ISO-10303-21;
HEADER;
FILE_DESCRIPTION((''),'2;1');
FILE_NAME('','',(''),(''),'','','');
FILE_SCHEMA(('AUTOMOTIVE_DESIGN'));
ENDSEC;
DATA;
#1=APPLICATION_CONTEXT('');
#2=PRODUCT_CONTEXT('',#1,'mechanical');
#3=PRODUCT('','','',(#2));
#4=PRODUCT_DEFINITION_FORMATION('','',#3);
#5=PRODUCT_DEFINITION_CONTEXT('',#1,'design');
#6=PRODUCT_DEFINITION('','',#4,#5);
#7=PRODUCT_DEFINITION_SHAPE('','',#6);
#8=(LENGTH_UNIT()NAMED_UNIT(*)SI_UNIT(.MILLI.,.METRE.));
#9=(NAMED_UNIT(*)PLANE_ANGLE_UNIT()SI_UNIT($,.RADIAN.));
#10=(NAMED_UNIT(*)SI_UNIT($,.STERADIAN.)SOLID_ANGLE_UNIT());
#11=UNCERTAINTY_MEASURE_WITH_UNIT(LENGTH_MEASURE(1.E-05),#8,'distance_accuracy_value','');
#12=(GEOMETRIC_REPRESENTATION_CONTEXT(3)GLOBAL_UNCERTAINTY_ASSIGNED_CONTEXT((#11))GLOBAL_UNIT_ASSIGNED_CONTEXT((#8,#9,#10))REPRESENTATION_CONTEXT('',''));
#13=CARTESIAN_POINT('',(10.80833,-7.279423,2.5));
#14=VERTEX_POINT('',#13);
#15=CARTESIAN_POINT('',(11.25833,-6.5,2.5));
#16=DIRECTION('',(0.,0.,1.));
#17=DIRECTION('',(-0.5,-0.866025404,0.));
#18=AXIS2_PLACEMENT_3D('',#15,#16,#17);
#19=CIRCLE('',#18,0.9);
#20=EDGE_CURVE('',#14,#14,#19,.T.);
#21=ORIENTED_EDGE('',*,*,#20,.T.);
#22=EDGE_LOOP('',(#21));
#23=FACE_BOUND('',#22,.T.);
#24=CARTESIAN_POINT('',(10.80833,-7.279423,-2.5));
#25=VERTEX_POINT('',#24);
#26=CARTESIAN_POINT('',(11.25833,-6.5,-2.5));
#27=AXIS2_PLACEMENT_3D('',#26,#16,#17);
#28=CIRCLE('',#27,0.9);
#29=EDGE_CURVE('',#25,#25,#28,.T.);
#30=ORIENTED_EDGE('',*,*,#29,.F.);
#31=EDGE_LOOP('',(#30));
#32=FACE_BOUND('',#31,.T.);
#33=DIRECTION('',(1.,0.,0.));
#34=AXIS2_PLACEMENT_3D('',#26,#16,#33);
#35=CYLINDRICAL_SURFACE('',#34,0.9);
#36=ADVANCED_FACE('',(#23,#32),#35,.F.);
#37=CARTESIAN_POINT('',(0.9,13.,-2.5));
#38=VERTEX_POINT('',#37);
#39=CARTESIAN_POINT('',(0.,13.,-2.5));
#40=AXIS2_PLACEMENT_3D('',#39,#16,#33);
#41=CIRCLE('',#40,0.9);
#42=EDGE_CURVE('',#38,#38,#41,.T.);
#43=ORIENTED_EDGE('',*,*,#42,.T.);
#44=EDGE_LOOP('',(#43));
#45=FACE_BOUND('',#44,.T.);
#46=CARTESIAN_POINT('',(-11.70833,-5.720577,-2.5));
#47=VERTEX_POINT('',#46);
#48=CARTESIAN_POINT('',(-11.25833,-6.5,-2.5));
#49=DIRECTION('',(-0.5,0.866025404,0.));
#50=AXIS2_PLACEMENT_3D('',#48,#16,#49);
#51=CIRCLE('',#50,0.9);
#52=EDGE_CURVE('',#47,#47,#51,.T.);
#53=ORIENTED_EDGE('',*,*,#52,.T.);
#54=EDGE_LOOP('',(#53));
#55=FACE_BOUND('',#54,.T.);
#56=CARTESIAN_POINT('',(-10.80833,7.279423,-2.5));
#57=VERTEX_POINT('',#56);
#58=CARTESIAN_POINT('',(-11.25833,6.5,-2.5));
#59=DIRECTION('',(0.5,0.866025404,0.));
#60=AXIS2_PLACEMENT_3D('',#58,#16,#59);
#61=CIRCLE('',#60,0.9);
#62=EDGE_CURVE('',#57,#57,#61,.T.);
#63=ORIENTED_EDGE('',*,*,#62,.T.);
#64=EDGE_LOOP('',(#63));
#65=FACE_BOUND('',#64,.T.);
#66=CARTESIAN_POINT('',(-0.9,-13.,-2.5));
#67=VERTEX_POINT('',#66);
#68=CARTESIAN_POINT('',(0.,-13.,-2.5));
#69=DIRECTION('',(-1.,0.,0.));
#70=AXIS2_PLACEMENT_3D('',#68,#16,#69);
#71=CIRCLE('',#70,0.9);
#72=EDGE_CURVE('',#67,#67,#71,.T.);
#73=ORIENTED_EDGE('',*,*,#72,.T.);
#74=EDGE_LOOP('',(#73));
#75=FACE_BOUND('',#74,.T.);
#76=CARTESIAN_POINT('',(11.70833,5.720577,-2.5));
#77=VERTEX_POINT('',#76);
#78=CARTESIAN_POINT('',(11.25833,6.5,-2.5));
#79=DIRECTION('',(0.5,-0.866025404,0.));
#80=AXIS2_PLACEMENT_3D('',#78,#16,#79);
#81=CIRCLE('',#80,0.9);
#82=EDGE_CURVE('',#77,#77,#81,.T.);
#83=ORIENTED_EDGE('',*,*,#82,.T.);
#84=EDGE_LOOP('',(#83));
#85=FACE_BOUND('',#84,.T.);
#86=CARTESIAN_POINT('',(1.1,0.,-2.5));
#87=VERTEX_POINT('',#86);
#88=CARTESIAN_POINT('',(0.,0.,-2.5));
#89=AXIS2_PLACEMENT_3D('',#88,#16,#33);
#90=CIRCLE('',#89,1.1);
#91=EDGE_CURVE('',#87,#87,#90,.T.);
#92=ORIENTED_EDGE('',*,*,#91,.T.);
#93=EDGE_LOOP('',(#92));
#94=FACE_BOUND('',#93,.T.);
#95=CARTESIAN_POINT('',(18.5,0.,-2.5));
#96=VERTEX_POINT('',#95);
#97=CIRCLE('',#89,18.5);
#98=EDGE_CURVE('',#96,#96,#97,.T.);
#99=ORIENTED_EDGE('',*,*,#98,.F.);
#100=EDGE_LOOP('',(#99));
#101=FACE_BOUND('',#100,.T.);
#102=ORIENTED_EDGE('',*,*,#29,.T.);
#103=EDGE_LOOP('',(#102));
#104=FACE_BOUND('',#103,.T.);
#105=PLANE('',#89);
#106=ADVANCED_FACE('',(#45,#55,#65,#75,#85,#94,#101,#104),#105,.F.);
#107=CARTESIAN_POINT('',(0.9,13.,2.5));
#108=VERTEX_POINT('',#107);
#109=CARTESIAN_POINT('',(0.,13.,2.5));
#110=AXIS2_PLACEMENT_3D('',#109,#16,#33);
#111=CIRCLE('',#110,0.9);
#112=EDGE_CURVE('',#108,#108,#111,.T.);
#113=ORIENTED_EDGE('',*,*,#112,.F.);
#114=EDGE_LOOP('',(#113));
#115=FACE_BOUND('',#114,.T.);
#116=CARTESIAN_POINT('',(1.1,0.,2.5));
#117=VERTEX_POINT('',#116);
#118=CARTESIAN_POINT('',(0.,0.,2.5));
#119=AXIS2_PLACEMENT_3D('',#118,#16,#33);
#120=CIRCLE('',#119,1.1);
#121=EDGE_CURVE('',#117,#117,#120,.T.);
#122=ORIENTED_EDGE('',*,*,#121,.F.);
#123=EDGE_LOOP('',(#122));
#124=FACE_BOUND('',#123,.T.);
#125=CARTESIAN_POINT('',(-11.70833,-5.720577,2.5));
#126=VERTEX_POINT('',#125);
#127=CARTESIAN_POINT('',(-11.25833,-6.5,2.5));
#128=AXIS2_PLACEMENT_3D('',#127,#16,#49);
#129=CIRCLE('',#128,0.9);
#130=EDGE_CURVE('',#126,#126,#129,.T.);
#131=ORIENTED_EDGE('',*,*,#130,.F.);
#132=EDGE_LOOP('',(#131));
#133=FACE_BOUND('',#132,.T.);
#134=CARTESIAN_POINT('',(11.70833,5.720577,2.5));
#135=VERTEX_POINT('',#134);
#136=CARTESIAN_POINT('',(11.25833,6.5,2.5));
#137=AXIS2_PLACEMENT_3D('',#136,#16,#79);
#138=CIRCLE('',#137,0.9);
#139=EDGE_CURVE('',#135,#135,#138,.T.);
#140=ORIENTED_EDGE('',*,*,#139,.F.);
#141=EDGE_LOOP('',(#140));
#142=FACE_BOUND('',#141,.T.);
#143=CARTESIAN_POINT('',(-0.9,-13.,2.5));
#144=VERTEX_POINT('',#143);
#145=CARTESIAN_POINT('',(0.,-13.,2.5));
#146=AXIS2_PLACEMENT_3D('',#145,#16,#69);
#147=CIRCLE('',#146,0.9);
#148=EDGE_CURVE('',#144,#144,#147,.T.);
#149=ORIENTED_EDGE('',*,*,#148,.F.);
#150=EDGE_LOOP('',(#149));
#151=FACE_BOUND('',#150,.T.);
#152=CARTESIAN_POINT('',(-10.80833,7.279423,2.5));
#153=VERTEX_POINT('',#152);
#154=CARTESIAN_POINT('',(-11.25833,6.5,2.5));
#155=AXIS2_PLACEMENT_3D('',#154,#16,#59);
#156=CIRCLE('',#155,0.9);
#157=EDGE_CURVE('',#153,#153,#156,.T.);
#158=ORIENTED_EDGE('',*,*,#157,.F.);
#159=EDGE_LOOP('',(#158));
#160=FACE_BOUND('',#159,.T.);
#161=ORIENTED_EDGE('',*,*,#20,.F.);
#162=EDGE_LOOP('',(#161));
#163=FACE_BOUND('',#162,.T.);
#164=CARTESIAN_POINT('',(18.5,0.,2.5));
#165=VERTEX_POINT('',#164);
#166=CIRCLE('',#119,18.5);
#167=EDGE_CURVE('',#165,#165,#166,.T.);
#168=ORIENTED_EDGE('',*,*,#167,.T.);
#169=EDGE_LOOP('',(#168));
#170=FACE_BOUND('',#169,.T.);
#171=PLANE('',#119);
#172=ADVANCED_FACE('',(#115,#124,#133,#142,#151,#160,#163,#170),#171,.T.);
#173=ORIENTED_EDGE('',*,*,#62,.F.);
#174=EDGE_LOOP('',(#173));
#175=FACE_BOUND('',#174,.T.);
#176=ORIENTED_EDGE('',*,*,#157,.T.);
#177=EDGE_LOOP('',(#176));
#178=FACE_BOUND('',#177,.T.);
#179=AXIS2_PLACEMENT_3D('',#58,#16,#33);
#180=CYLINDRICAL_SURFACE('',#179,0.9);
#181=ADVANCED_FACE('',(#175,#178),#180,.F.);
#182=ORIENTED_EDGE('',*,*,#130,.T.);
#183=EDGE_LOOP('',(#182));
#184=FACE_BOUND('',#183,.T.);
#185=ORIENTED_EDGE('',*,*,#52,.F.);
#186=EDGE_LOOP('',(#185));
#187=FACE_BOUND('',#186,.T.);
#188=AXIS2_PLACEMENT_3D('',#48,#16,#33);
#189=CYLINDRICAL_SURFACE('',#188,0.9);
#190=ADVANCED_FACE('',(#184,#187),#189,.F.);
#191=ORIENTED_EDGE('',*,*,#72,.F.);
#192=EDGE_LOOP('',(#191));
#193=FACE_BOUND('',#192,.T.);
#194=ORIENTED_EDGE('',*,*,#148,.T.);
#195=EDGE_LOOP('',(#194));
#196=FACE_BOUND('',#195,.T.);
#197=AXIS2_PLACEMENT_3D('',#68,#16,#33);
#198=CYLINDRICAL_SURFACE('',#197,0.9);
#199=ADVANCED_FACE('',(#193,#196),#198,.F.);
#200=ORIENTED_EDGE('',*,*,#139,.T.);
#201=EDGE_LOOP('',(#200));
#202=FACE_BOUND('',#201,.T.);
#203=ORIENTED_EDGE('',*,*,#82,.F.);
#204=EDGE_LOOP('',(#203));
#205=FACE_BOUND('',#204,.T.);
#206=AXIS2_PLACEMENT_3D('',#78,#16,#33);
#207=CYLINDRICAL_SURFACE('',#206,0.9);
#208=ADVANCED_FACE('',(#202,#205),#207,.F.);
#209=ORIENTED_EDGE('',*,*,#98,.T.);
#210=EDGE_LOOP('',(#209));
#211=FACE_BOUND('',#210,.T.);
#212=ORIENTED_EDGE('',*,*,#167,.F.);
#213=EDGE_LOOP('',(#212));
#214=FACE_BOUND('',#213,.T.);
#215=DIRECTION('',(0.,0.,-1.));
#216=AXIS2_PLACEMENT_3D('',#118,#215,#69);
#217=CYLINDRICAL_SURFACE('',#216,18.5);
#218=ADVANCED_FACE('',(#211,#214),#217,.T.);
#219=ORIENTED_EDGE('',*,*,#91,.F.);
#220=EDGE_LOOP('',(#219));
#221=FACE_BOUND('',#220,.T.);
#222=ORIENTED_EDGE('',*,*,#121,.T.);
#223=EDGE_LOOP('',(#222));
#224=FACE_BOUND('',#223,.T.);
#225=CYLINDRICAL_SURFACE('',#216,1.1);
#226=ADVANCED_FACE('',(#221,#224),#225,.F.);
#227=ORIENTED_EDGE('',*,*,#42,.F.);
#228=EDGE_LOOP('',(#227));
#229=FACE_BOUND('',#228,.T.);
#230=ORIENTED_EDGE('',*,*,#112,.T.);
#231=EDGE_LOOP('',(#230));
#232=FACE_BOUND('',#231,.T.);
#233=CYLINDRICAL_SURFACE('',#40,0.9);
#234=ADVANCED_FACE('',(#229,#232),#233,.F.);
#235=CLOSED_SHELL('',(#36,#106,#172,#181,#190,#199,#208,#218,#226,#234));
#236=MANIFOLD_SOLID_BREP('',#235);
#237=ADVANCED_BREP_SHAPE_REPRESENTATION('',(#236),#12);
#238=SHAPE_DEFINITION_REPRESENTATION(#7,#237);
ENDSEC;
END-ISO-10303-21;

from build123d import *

# Parameters (mm, degrees)
SKETCH_1_R               = 18.5
SKETCH_1_R_2             = 1.1
EXTRUDE_1_DEPTH          = 2.5
SKETCH_2_R               = 0.9
CUT_EXTRUDE_1_DEPTH      = 27.636441204
PATTERN_CIRCULAR_1_COUNT = 6


with BuildPart() as part:
    # 草图1 → 凸台-拉伸1 (new, symmetric)
    with BuildSketch(Plane.XY):
        Circle(SKETCH_1_R)
        Circle(SKETCH_1_R_2, mode=Mode.SUBTRACT)
    extrude(amount=EXTRUDE_1_DEPTH, both=True)

    # 草图2 → 切除-拉伸1 (cut, through all)
    with BuildSketch(Plane.XY.offset(2.5)):
        with Locations((0, 13)):
            Circle(SKETCH_2_R)
    cut_extrude_1 = extrude(amount=-CUT_EXTRUDE_1_DEPTH, mode=Mode.SUBTRACT)

    # 阵列(圆周)1: 切除-拉伸1 ×6 about axis
    pattern_circular_1_axis = Axis((0, 0, 0), (0, 0, 1))
    for i in range(1, PATTERN_CIRCULAR_1_COUNT):
        add(cut_extrude_1.rotate(pattern_circular_1_axis, i * 360 / PATTERN_CIRCULAR_1_COUNT), mode=Mode.SUBTRACT)


solid = part.part
